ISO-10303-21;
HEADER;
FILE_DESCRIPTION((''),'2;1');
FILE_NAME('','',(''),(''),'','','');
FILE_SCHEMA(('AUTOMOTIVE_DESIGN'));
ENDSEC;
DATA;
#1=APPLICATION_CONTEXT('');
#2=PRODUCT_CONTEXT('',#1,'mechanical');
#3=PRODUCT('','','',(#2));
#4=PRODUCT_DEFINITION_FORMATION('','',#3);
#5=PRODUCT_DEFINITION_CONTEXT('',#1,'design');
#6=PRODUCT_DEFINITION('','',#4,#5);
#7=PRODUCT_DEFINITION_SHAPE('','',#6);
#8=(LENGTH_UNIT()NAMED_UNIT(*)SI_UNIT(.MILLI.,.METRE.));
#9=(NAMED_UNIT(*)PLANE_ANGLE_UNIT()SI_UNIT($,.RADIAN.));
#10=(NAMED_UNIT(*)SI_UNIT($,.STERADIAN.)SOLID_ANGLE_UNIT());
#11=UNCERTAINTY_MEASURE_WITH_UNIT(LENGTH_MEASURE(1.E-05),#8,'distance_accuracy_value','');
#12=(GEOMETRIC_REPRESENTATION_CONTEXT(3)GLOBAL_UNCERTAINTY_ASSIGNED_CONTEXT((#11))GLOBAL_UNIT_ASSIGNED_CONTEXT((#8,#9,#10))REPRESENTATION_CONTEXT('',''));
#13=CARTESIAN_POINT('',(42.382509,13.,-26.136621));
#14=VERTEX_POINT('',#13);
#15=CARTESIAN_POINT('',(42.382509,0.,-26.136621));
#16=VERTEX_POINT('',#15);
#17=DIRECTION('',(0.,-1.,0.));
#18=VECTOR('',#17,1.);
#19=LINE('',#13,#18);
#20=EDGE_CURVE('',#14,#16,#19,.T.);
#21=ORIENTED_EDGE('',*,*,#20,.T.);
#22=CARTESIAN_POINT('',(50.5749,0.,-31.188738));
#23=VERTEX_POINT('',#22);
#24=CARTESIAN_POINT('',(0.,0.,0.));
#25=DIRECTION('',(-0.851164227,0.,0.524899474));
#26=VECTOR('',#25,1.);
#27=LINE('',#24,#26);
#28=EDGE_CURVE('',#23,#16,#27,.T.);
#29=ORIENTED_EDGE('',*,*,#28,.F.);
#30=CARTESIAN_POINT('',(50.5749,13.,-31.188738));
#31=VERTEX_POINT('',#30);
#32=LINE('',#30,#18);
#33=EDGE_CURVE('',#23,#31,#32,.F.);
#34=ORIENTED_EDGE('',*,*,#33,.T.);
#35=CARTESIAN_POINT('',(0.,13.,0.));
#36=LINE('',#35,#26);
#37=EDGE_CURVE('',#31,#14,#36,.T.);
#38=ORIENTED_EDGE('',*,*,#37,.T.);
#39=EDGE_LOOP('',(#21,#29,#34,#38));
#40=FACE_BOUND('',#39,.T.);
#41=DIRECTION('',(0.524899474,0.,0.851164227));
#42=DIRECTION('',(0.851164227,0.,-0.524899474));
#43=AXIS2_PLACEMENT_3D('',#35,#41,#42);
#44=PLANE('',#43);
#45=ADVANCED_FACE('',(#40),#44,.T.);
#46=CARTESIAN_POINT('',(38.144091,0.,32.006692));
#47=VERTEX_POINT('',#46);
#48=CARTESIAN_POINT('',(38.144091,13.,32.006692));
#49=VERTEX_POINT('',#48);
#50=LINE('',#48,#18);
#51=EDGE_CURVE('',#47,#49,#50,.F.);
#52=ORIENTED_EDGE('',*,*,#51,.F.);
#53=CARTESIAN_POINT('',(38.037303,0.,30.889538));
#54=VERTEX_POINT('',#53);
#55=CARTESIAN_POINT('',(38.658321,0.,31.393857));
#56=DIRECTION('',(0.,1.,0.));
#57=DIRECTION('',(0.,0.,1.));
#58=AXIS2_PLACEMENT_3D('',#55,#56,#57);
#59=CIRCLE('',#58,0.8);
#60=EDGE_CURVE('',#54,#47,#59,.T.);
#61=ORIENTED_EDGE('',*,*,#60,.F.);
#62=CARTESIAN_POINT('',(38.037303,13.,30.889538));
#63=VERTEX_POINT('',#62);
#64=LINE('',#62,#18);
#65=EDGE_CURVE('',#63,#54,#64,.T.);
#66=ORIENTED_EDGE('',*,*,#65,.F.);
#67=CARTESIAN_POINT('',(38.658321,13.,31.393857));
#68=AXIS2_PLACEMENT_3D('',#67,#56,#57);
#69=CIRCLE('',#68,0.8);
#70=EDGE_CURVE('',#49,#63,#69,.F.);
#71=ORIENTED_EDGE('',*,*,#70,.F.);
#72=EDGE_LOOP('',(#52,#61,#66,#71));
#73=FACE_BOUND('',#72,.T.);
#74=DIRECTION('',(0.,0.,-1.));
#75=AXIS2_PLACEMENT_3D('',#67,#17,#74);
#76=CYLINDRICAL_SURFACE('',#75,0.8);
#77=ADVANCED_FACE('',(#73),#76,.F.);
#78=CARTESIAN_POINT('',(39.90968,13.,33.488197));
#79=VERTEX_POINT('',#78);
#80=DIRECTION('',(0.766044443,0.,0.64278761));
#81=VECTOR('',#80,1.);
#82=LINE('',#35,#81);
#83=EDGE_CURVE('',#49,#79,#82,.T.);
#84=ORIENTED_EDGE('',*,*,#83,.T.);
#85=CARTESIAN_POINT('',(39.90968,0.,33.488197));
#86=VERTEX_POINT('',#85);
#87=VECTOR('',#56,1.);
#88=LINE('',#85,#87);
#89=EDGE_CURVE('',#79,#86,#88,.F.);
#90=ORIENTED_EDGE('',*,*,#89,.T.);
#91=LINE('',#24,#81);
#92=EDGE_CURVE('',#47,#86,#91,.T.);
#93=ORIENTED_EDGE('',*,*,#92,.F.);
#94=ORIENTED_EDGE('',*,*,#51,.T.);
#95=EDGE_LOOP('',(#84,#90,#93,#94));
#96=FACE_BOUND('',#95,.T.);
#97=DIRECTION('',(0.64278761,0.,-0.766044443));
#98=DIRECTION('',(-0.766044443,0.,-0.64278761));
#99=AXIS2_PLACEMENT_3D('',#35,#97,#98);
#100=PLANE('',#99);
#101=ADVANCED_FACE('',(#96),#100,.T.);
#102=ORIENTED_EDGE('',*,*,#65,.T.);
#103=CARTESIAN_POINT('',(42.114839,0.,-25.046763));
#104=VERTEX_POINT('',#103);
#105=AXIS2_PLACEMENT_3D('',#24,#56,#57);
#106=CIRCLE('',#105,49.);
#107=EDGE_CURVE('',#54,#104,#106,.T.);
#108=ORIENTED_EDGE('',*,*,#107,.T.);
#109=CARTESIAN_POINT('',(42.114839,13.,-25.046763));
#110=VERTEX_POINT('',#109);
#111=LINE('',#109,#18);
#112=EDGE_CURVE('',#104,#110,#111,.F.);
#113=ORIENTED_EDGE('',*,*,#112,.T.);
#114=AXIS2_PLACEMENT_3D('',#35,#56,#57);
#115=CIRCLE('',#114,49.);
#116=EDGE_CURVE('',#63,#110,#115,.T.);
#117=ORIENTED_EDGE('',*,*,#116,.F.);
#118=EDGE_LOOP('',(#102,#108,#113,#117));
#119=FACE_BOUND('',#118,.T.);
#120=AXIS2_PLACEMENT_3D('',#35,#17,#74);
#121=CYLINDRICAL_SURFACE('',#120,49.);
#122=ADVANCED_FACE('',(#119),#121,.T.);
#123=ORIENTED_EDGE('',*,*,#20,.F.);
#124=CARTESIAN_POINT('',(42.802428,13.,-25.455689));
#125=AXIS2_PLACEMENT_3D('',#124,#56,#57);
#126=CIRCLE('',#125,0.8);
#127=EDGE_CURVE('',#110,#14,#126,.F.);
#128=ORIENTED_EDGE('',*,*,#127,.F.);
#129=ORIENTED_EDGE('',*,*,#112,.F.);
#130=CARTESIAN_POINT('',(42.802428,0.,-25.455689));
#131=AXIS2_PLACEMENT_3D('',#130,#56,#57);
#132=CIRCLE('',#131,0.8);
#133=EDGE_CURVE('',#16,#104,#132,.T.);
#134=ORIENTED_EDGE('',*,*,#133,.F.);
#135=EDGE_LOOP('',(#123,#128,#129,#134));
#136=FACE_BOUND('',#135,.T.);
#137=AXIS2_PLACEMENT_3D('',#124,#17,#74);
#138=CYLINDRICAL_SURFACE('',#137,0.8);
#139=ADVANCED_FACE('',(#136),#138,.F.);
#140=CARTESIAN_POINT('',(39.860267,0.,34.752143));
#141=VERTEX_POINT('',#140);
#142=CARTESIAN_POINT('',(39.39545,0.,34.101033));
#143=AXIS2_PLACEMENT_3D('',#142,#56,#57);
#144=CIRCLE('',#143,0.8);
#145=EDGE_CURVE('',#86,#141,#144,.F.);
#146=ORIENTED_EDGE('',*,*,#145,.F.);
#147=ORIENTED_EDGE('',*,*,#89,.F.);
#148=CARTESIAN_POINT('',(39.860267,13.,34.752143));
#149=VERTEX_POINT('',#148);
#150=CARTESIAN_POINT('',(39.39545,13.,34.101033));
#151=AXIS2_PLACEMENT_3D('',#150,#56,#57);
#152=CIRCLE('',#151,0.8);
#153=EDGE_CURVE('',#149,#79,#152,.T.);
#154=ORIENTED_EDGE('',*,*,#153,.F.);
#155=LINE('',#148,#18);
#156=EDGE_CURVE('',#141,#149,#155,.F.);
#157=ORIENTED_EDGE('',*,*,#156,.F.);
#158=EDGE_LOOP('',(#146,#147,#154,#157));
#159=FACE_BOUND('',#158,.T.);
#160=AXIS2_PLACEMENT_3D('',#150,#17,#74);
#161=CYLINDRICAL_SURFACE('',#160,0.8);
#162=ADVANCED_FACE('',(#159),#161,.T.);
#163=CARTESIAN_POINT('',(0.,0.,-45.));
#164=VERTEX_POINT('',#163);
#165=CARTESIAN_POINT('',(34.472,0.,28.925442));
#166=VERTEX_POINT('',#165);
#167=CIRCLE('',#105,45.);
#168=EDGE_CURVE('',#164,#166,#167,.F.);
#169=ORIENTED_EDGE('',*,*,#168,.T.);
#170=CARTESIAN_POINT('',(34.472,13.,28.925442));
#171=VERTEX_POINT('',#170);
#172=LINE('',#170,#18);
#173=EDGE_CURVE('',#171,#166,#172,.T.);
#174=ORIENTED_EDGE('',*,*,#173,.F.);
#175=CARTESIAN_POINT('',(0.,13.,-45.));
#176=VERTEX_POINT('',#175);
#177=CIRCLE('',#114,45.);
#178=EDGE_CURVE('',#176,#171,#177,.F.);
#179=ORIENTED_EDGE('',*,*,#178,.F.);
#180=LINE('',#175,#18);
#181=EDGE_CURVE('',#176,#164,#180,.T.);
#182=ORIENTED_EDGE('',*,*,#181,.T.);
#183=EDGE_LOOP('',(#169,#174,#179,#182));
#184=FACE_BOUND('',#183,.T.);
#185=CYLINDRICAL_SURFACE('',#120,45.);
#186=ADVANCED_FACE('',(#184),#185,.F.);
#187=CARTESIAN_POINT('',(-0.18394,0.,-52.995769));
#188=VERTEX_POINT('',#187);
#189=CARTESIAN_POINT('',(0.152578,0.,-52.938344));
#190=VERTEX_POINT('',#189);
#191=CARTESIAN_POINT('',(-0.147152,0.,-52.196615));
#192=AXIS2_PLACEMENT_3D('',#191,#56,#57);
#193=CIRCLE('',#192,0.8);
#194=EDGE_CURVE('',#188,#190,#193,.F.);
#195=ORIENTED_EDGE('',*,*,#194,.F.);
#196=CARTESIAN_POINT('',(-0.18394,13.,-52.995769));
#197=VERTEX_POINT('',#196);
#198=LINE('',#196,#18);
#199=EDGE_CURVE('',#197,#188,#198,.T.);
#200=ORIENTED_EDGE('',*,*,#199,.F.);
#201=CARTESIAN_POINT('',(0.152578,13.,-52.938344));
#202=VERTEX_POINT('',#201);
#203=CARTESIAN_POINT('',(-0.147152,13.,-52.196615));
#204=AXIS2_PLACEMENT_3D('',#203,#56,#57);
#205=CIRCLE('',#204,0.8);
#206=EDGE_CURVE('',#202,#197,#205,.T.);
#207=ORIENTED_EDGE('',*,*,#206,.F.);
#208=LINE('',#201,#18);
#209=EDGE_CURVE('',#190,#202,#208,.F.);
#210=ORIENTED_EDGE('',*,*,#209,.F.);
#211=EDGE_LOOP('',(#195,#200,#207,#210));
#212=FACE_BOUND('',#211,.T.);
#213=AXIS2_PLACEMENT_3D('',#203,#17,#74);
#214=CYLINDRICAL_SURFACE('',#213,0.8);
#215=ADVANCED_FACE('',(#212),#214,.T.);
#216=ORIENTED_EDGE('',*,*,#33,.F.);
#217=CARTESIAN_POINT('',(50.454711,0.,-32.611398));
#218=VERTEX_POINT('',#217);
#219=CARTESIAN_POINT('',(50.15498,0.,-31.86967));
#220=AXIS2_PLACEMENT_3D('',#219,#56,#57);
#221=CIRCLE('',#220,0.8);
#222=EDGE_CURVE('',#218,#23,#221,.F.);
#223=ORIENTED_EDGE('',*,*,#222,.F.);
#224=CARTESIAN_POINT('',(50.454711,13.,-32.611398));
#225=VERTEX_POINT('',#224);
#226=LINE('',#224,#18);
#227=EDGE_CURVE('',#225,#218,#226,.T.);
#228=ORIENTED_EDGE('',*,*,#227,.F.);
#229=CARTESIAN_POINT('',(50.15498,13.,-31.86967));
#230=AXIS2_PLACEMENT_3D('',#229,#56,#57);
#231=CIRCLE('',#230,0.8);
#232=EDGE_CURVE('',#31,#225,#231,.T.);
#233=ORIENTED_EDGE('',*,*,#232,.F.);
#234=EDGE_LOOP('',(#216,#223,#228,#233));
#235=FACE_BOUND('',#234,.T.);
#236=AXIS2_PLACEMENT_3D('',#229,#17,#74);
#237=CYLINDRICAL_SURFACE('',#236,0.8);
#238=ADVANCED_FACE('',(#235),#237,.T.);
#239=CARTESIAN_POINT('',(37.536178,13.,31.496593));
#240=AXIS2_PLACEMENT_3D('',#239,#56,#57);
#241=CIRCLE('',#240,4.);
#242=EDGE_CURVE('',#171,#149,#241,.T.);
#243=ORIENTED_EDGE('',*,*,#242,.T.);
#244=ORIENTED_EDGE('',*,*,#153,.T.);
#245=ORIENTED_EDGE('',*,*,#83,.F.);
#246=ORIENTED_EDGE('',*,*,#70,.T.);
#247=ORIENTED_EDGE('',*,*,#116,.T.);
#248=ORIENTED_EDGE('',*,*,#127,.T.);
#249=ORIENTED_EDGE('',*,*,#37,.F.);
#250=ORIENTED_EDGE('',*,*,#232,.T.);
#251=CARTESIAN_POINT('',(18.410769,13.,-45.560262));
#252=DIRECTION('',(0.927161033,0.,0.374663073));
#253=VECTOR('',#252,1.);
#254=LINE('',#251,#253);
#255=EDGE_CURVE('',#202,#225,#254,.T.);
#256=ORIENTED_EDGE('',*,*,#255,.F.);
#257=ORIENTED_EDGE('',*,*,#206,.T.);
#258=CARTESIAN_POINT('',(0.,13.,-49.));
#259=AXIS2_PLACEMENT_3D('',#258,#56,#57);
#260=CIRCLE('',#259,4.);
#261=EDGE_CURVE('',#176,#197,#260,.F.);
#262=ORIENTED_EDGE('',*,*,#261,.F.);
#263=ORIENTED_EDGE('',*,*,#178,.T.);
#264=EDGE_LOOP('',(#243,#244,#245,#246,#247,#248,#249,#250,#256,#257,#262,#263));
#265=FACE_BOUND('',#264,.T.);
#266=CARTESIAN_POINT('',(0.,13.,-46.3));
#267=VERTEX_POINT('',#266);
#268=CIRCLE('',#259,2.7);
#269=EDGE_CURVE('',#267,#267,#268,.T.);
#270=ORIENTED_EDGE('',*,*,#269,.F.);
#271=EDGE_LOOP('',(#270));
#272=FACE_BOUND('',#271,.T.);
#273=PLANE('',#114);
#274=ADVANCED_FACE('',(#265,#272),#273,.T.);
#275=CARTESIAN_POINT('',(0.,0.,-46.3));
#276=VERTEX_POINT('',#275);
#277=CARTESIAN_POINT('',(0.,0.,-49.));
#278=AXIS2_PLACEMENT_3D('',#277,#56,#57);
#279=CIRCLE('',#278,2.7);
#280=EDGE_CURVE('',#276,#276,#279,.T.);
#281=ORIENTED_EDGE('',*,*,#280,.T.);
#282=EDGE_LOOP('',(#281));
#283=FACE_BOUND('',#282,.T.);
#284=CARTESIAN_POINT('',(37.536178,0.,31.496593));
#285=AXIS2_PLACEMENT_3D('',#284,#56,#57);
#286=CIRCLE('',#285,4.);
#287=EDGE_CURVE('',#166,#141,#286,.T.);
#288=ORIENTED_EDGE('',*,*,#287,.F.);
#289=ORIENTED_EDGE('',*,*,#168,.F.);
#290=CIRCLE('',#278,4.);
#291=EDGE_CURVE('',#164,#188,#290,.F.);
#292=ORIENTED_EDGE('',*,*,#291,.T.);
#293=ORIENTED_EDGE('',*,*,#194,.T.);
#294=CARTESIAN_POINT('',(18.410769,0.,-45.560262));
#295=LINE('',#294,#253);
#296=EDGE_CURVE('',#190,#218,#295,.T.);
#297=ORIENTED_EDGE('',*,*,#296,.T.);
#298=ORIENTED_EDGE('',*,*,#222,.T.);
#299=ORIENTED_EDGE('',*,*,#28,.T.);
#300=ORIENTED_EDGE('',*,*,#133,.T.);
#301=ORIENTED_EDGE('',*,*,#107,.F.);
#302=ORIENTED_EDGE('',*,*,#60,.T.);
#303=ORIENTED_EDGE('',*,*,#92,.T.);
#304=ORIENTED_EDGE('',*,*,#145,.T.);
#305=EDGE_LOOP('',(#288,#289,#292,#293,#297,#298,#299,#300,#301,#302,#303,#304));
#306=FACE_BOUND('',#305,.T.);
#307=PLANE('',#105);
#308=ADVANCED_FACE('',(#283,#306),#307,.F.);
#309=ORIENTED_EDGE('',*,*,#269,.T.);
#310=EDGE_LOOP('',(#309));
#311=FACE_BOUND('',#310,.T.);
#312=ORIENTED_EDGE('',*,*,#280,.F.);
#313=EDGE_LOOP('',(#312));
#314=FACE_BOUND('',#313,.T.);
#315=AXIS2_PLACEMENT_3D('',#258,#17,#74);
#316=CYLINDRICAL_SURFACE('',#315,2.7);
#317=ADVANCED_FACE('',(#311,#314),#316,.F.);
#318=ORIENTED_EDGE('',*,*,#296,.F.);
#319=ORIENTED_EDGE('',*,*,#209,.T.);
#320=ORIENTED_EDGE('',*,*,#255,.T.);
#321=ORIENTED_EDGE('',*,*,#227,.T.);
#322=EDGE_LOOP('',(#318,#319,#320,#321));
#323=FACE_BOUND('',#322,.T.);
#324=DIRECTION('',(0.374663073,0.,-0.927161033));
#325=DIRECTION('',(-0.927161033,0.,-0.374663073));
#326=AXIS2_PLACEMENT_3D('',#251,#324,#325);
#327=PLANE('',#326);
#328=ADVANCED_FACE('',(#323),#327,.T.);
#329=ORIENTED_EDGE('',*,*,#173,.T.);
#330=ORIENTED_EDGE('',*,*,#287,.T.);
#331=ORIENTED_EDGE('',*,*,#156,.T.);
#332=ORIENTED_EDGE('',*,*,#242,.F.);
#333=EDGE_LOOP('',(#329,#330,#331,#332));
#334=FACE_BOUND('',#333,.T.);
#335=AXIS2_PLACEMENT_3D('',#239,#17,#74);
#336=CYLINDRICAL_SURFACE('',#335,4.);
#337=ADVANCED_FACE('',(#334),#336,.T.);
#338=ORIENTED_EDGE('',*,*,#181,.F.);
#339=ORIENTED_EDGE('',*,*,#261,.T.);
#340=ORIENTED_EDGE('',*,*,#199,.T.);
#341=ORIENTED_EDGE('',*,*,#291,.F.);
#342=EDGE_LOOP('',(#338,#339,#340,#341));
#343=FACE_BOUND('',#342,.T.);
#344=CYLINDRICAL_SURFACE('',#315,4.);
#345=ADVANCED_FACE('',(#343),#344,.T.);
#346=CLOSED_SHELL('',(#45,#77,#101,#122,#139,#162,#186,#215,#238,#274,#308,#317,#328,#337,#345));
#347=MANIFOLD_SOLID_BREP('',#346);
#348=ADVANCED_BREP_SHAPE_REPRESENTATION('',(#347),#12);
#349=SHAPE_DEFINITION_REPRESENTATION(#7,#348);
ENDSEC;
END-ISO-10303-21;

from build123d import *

# Parameters (mm, degrees)
SKETCH1_R           = 2.7
BOSS_EXTRUDE1_DEPTH = 13
FILLET1_R           = 0.8


with BuildPart() as part:
    # Sketch1 → Boss-Extrude1 (new body)
    with BuildSketch(Plane(origin=(0, 0, 0), x_dir=(1, 0, 0), z_dir=(0, 1, 0))):
        with BuildLine():
            Line((51.921017872, 32.018867925), (0, 53))
            ThreePointArc((0, 53), (-4, 49), (0, 45))
            ThreePointArc((0, 45), (40.783850417, 19.017821778), (34.47199994, -28.925442436))
            ThreePointArc((34.47199994, -28.925442436), (34.965027274, -34.560770647), (40.600355485, -34.067743313))
            Line((40.600355485, -34.067743313), (37.536177713, -31.496592875))
            ThreePointArc((37.536177713, -31.496592875), (48.870327604, -3.562454189), (41.707047143, 25.720074234))
            Line((41.707047143, 25.720074234), (51.921017872, 32.018867925))
        make_face()
        with Locations((0, 49)):
            Circle(SKETCH1_R, mode=Mode.SUBTRACT)
    extrude(amount=BOSS_EXTRUDE1_DEPTH)

    # Fillet1
    fillet1_edges = [part.edges().sort_by_distance(p)[0] for p in [
        (51.921017872, 6.5, -32.018867925),
        (41.707047143, 6.5, -25.720074234),
        (37.536177713, 6.5, 31.496592875),
        (40.600355485, 6.5, 34.067743313),
        (0, 6.5, -53),
    ]]
    fillet(fillet1_edges, radius=FILLET1_R)


solid = part.part
